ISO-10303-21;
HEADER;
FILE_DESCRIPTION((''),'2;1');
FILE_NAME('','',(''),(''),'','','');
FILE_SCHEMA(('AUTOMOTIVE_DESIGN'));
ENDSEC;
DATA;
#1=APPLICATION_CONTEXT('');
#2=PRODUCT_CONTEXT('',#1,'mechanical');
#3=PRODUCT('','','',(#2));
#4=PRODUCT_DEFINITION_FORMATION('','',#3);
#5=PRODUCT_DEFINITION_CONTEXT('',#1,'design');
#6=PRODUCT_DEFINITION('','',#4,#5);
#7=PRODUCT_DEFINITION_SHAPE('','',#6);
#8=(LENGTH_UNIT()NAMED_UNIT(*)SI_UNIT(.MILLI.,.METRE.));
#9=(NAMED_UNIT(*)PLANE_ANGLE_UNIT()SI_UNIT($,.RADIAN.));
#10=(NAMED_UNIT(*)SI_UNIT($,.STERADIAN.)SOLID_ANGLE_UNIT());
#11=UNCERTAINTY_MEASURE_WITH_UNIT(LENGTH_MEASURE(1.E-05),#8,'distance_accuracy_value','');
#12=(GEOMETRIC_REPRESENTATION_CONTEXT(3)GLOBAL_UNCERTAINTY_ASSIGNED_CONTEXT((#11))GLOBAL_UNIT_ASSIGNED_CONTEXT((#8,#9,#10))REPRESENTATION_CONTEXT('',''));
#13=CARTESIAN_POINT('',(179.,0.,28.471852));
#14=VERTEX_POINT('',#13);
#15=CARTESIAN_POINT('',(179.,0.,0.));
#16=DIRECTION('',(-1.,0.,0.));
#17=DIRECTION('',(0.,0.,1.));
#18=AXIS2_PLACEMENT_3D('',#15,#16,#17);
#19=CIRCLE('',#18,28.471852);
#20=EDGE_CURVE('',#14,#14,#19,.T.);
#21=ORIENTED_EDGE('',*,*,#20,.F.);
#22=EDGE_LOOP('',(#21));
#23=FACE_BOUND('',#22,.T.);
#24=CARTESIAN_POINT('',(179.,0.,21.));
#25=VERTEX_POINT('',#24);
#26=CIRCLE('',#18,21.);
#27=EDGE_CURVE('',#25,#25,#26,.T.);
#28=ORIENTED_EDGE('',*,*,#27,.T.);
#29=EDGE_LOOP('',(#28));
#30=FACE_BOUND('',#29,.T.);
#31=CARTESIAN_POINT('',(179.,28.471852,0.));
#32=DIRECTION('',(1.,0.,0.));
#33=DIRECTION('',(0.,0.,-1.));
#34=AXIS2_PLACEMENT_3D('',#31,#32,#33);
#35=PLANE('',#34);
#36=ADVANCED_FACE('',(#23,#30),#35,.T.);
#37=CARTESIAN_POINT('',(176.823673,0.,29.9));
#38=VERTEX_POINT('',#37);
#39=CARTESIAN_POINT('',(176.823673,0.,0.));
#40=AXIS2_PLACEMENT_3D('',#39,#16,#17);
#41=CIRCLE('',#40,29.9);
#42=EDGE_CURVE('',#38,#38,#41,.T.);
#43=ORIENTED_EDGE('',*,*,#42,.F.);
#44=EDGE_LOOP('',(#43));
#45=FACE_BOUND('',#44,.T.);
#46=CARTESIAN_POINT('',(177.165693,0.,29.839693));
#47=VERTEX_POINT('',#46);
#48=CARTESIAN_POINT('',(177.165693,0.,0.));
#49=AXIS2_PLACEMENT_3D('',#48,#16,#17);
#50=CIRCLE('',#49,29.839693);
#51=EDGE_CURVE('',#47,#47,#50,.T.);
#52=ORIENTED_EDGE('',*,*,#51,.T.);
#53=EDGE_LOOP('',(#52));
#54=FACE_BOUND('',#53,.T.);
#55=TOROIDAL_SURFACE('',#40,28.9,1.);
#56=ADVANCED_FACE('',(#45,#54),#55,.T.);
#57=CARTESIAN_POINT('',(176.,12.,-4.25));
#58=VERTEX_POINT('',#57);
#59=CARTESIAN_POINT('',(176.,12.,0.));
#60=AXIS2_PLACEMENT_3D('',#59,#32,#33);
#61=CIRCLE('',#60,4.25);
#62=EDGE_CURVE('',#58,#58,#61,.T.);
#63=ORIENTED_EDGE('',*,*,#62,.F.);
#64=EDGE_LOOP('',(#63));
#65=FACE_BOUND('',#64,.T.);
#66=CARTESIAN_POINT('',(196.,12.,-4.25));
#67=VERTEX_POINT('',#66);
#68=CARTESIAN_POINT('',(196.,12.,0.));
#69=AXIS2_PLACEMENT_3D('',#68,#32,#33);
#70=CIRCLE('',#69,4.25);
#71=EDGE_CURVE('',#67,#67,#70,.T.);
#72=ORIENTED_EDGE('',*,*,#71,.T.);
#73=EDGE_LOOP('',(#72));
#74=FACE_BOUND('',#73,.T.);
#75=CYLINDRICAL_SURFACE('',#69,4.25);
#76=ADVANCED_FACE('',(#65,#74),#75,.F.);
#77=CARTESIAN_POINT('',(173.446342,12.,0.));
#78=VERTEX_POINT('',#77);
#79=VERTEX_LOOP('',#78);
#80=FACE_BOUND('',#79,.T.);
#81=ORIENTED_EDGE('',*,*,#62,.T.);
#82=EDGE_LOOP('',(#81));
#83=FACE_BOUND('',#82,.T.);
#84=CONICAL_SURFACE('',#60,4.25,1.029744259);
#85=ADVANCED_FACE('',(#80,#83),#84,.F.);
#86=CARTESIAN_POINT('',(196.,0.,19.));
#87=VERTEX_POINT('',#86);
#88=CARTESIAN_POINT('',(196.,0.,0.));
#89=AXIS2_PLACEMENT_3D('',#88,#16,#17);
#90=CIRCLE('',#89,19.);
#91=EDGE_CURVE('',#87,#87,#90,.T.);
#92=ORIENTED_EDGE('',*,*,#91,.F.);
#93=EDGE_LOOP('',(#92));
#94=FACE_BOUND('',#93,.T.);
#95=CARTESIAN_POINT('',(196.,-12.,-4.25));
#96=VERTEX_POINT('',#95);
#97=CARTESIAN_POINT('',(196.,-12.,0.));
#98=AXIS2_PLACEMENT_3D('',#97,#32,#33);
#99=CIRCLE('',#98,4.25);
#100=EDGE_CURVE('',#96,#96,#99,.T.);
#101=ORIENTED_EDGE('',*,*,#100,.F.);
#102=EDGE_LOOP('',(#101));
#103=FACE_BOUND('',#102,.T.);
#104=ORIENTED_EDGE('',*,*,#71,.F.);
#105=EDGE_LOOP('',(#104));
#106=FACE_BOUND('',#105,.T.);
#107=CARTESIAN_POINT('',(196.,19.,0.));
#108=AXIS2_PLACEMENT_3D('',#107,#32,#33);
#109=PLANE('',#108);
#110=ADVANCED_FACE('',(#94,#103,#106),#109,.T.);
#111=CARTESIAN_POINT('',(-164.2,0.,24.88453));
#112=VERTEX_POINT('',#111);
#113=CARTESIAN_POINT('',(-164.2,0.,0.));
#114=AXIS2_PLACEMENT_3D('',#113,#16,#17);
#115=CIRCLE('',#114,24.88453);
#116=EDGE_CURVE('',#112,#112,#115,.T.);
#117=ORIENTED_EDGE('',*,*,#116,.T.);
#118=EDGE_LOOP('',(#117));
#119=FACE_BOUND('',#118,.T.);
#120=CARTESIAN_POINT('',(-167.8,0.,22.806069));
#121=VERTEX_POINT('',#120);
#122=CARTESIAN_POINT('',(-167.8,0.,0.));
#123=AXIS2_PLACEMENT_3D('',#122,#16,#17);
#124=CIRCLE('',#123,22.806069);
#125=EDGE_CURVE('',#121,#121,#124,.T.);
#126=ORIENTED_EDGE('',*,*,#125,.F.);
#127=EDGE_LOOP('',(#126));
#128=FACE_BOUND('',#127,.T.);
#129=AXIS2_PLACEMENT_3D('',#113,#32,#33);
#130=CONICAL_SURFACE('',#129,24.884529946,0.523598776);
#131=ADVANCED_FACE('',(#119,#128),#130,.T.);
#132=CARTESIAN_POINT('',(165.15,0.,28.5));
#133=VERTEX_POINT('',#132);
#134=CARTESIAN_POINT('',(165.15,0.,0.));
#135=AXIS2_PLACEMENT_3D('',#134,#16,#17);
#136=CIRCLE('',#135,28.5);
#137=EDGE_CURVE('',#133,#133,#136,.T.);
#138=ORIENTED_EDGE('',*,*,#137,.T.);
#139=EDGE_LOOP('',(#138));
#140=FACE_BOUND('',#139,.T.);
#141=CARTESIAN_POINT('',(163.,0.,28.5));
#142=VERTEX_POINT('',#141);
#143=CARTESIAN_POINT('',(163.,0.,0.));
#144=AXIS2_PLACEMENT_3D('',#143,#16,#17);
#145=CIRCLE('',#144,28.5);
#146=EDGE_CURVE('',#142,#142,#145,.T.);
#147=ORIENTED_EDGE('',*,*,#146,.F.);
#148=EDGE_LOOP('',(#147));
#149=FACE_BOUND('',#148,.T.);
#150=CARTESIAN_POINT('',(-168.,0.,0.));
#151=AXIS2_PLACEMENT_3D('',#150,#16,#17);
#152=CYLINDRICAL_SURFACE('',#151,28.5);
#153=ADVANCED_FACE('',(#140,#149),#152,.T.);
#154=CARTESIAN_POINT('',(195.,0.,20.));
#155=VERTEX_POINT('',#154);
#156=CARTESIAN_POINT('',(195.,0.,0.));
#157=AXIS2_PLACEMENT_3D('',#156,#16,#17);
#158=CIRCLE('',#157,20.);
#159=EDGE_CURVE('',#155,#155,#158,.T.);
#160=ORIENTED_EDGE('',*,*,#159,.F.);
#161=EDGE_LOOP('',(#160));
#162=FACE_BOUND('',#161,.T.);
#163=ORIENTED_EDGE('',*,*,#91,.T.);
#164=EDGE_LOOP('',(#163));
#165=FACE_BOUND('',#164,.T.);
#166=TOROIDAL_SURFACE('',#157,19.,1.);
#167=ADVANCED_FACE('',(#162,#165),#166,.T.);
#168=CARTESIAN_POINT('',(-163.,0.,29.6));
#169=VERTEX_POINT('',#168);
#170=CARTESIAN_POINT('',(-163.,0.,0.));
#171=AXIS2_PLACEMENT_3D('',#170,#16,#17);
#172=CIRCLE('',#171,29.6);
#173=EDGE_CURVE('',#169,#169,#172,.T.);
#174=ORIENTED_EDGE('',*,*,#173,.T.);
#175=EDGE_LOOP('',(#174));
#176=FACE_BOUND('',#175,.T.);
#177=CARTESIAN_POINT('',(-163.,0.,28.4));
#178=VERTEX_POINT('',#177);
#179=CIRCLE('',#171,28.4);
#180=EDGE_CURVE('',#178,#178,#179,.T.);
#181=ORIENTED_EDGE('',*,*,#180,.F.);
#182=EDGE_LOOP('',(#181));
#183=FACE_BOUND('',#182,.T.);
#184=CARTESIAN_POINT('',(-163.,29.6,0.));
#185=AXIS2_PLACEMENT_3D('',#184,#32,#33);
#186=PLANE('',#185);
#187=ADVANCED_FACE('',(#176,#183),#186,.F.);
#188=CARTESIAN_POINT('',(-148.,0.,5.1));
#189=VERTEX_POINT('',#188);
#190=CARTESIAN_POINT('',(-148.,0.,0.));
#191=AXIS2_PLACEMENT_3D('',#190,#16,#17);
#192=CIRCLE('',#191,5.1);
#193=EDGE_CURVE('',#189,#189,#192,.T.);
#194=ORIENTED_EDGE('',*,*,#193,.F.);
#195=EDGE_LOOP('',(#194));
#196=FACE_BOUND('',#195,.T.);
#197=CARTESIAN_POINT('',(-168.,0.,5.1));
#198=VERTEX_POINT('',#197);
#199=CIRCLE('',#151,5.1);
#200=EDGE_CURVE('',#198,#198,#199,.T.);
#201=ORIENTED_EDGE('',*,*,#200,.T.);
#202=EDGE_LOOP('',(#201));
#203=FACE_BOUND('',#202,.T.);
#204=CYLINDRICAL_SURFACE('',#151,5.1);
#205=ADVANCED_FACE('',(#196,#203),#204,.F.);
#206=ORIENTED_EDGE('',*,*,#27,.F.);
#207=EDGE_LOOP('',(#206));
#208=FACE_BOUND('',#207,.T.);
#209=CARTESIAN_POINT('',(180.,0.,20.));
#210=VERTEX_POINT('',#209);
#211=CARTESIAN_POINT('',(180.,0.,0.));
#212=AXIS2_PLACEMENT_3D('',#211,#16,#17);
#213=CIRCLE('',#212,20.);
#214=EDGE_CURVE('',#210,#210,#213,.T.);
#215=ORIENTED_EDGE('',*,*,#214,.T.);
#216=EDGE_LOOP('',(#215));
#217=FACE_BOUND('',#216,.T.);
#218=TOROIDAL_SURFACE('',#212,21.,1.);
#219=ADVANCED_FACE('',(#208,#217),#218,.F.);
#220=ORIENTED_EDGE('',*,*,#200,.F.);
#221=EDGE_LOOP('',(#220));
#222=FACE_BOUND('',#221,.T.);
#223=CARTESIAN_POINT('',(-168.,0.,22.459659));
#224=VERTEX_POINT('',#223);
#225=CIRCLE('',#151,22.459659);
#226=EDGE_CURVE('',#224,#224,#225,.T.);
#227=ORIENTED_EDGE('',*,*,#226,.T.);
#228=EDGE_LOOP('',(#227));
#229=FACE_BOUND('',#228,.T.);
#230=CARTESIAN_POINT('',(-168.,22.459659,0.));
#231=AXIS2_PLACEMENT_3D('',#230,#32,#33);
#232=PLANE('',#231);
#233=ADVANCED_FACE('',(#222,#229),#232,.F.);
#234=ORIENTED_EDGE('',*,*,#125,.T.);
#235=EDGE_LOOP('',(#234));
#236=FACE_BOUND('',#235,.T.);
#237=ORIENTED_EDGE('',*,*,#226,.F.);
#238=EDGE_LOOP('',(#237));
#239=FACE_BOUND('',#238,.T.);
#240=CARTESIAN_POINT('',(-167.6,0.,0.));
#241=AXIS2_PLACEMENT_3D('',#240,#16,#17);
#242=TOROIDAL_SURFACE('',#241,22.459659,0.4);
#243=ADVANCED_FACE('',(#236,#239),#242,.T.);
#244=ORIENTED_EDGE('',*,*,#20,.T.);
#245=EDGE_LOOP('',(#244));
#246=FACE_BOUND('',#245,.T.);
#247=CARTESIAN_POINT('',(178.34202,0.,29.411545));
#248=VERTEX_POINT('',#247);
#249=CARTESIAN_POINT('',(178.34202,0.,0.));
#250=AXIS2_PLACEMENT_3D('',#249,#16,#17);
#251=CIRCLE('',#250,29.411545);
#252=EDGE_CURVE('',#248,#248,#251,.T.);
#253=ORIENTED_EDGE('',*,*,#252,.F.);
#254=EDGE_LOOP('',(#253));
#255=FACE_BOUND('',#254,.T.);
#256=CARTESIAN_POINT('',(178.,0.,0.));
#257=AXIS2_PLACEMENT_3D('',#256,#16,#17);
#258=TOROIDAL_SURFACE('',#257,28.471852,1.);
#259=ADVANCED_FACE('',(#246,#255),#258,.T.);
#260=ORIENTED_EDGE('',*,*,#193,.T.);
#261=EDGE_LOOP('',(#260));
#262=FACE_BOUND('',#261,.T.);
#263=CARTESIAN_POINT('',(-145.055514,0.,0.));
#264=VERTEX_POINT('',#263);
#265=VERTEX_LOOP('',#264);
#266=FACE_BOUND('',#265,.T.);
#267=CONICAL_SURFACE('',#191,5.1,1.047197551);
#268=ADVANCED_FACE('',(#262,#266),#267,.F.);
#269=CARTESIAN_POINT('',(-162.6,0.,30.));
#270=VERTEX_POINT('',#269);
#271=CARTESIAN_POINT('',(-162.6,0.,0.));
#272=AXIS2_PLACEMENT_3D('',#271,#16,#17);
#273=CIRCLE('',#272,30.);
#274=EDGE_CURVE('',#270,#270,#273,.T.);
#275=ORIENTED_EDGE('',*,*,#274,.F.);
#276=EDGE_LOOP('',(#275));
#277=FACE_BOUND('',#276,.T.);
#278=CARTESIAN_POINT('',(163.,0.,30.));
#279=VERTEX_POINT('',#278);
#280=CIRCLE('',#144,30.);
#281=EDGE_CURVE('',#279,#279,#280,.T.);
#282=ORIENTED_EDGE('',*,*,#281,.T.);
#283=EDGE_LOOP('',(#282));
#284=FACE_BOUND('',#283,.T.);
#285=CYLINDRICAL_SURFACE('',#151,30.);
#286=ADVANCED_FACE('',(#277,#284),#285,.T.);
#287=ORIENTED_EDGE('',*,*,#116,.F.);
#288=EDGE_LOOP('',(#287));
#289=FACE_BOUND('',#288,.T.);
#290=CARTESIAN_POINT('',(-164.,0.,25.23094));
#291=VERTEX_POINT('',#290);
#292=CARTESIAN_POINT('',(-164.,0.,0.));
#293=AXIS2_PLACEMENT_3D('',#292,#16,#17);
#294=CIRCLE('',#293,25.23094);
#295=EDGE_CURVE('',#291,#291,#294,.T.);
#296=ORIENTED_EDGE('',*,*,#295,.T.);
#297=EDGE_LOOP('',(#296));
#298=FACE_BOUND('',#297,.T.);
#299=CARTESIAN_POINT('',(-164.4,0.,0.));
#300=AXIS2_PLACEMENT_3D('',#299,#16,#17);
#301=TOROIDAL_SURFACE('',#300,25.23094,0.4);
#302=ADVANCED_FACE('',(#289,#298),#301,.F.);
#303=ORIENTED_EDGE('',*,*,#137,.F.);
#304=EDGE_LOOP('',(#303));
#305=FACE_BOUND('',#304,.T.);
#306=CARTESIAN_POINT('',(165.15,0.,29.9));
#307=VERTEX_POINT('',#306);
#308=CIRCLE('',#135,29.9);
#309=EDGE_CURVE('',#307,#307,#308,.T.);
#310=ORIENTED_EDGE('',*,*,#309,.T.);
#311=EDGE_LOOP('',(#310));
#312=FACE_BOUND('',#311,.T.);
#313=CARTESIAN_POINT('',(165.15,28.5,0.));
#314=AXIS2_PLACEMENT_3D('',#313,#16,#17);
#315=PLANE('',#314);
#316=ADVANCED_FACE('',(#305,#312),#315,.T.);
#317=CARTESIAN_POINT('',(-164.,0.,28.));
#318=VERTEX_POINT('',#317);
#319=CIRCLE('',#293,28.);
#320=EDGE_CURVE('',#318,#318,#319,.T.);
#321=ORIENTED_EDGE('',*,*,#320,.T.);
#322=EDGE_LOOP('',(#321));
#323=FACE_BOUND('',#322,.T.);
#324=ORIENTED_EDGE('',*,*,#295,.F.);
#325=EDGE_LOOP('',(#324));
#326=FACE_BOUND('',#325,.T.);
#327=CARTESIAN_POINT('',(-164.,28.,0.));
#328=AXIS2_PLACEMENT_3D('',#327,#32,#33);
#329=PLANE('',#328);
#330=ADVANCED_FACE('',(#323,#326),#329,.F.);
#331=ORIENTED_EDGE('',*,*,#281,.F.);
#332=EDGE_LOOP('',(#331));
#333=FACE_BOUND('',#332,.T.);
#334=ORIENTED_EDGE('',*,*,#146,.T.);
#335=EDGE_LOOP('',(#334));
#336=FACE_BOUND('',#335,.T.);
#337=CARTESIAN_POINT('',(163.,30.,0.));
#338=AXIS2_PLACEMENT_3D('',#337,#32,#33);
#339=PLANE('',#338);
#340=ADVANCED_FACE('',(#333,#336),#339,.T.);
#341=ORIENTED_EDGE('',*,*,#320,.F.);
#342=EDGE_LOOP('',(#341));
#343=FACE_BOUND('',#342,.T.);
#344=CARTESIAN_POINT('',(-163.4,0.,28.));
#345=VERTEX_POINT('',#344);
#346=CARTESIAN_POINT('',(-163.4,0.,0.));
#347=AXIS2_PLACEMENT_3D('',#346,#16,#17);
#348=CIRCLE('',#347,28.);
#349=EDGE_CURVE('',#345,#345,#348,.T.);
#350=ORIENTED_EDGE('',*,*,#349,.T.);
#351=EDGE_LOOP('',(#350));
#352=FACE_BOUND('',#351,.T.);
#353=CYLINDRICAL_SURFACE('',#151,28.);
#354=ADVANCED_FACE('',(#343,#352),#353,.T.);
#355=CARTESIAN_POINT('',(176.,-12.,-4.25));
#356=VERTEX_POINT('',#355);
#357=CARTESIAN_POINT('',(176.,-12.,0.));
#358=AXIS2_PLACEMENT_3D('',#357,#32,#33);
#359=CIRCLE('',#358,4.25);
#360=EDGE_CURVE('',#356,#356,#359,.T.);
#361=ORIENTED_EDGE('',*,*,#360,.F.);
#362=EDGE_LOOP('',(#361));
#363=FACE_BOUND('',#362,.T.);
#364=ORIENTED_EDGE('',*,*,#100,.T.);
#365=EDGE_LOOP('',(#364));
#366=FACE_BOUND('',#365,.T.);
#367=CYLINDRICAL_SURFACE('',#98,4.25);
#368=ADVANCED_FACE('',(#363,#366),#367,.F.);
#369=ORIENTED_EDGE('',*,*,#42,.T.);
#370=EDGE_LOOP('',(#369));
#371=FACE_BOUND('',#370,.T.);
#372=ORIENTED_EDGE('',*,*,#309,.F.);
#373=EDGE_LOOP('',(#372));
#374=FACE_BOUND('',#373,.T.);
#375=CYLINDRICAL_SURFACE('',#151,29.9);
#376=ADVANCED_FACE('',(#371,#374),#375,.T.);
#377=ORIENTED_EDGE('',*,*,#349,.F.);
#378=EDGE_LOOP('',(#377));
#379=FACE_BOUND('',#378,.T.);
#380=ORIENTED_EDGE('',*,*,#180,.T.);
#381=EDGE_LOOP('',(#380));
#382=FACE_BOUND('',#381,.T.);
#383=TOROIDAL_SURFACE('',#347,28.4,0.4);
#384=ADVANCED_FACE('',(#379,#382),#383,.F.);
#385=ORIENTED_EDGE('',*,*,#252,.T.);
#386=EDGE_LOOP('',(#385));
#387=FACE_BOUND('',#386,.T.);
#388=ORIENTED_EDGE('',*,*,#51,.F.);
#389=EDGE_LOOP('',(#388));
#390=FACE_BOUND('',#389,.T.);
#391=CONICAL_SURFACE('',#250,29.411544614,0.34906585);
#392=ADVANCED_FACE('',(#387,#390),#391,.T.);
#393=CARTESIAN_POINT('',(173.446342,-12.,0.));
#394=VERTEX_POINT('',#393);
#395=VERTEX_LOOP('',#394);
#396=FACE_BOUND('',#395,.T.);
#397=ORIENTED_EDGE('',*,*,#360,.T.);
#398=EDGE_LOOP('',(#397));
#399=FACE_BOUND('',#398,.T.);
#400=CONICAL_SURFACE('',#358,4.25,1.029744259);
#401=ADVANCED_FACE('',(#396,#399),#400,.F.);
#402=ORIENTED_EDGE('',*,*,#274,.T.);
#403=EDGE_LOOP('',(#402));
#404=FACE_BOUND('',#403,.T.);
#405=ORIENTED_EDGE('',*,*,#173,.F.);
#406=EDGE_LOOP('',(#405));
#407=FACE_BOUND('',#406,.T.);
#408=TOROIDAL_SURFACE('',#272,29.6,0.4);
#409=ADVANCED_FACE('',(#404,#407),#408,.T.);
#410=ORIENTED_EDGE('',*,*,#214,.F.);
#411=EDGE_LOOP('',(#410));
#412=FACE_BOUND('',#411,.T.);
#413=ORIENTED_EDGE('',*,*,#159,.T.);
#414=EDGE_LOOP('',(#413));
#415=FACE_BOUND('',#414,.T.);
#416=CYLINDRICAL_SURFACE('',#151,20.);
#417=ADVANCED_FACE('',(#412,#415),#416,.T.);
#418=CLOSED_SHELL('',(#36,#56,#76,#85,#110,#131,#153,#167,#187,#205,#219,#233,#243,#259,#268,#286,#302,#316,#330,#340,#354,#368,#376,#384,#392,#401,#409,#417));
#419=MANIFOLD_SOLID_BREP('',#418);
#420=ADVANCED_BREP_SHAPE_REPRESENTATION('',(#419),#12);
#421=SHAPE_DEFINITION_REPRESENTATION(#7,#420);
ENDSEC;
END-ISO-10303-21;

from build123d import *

# Parameters (mm, degrees)
HOLE2_D     = 8.5
HOLE2_DEPTH = 20
HOLE2_TIP   = 2.553657631


with BuildPart() as part:
    # Sketch1 → Base-Revolve (revolve)
    with BuildSketch(Plane.XY):
        with BuildLine():
            Line((163, 30), (0, 30))
            Line((0, 30), (-162.6, 30))
            ThreePointArc((-162.6, 30), (-162.882842712, 29.882842712), (-163, 29.6))
            Line((-163, 29.6), (-163, 28.4))
            ThreePointArc((-163, 28.4), (-163.117157288, 28.117157288), (-163.4, 28))
            Line((-163.4, 28), (-164, 28))
            Line((-164, 28), (-164, 25.230940108))
            ThreePointArc((-164, 25.230940108), (-164.053589838, 25.030940108), (-164.2, 24.884529946))
            Line((-164.2, 24.884529946), (-167.8, 22.806068977))
            ThreePointArc((-167.8, 22.806068977), (-167.946410162, 22.659658816), (-168, 22.459658816))
            Line((-168, 22.459658816), (-168, 5.1))
            Line((-168, 5.1), (-148, 5.1))
            Line((-148, 5.1), (-145.055513627, 0))
            Line((-145.055513627, 0), (196, 0))
            Line((196, 0), (196, 19))
            ThreePointArc((196, 19), (195.707106781, 19.707106781), (195, 20))
            Line((195, 20), (180, 20))
            ThreePointArc((180, 20), (179.292893219, 20.292893219), (179, 21))
            Line((179, 21), (179, 28.471851993))
            ThreePointArc((179, 28.471851993), (178.819152044, 29.04542843), (178.342020143, 29.411544614))
            Line((178.342020143, 29.411544614), (177.165693163, 29.839692621))
            ThreePointArc((177.165693163, 29.839692621), (176.997321197, 29.884807753), (176.823673019, 29.9))
            Line((176.823673019, 29.9), (165.15, 29.9))
            Line((165.15, 29.9), (165.15, 28.5))
            Line((165.15, 28.5), (163, 28.5))
            Line((163, 28.5), (163, 30))
        make_face()
    revolve(axis=Axis((-168, 0, 0), (1, 0, 0)))

    # Hole2
    with Locations(Plane(origin=(196, 0, 0), x_dir=(0, 0, -1), z_dir=(1, 0, 0))):
        with Locations((0, 12), (0, -12)):
            Hole(HOLE2_D / 2, depth=HOLE2_DEPTH)
            with Locations((0, 0, -(HOLE2_DEPTH + HOLE2_TIP / 2))):  # 118° drill point
                Cone(0, HOLE2_D / 2, HOLE2_TIP, mode=Mode.SUBTRACT)


solid = part.part
